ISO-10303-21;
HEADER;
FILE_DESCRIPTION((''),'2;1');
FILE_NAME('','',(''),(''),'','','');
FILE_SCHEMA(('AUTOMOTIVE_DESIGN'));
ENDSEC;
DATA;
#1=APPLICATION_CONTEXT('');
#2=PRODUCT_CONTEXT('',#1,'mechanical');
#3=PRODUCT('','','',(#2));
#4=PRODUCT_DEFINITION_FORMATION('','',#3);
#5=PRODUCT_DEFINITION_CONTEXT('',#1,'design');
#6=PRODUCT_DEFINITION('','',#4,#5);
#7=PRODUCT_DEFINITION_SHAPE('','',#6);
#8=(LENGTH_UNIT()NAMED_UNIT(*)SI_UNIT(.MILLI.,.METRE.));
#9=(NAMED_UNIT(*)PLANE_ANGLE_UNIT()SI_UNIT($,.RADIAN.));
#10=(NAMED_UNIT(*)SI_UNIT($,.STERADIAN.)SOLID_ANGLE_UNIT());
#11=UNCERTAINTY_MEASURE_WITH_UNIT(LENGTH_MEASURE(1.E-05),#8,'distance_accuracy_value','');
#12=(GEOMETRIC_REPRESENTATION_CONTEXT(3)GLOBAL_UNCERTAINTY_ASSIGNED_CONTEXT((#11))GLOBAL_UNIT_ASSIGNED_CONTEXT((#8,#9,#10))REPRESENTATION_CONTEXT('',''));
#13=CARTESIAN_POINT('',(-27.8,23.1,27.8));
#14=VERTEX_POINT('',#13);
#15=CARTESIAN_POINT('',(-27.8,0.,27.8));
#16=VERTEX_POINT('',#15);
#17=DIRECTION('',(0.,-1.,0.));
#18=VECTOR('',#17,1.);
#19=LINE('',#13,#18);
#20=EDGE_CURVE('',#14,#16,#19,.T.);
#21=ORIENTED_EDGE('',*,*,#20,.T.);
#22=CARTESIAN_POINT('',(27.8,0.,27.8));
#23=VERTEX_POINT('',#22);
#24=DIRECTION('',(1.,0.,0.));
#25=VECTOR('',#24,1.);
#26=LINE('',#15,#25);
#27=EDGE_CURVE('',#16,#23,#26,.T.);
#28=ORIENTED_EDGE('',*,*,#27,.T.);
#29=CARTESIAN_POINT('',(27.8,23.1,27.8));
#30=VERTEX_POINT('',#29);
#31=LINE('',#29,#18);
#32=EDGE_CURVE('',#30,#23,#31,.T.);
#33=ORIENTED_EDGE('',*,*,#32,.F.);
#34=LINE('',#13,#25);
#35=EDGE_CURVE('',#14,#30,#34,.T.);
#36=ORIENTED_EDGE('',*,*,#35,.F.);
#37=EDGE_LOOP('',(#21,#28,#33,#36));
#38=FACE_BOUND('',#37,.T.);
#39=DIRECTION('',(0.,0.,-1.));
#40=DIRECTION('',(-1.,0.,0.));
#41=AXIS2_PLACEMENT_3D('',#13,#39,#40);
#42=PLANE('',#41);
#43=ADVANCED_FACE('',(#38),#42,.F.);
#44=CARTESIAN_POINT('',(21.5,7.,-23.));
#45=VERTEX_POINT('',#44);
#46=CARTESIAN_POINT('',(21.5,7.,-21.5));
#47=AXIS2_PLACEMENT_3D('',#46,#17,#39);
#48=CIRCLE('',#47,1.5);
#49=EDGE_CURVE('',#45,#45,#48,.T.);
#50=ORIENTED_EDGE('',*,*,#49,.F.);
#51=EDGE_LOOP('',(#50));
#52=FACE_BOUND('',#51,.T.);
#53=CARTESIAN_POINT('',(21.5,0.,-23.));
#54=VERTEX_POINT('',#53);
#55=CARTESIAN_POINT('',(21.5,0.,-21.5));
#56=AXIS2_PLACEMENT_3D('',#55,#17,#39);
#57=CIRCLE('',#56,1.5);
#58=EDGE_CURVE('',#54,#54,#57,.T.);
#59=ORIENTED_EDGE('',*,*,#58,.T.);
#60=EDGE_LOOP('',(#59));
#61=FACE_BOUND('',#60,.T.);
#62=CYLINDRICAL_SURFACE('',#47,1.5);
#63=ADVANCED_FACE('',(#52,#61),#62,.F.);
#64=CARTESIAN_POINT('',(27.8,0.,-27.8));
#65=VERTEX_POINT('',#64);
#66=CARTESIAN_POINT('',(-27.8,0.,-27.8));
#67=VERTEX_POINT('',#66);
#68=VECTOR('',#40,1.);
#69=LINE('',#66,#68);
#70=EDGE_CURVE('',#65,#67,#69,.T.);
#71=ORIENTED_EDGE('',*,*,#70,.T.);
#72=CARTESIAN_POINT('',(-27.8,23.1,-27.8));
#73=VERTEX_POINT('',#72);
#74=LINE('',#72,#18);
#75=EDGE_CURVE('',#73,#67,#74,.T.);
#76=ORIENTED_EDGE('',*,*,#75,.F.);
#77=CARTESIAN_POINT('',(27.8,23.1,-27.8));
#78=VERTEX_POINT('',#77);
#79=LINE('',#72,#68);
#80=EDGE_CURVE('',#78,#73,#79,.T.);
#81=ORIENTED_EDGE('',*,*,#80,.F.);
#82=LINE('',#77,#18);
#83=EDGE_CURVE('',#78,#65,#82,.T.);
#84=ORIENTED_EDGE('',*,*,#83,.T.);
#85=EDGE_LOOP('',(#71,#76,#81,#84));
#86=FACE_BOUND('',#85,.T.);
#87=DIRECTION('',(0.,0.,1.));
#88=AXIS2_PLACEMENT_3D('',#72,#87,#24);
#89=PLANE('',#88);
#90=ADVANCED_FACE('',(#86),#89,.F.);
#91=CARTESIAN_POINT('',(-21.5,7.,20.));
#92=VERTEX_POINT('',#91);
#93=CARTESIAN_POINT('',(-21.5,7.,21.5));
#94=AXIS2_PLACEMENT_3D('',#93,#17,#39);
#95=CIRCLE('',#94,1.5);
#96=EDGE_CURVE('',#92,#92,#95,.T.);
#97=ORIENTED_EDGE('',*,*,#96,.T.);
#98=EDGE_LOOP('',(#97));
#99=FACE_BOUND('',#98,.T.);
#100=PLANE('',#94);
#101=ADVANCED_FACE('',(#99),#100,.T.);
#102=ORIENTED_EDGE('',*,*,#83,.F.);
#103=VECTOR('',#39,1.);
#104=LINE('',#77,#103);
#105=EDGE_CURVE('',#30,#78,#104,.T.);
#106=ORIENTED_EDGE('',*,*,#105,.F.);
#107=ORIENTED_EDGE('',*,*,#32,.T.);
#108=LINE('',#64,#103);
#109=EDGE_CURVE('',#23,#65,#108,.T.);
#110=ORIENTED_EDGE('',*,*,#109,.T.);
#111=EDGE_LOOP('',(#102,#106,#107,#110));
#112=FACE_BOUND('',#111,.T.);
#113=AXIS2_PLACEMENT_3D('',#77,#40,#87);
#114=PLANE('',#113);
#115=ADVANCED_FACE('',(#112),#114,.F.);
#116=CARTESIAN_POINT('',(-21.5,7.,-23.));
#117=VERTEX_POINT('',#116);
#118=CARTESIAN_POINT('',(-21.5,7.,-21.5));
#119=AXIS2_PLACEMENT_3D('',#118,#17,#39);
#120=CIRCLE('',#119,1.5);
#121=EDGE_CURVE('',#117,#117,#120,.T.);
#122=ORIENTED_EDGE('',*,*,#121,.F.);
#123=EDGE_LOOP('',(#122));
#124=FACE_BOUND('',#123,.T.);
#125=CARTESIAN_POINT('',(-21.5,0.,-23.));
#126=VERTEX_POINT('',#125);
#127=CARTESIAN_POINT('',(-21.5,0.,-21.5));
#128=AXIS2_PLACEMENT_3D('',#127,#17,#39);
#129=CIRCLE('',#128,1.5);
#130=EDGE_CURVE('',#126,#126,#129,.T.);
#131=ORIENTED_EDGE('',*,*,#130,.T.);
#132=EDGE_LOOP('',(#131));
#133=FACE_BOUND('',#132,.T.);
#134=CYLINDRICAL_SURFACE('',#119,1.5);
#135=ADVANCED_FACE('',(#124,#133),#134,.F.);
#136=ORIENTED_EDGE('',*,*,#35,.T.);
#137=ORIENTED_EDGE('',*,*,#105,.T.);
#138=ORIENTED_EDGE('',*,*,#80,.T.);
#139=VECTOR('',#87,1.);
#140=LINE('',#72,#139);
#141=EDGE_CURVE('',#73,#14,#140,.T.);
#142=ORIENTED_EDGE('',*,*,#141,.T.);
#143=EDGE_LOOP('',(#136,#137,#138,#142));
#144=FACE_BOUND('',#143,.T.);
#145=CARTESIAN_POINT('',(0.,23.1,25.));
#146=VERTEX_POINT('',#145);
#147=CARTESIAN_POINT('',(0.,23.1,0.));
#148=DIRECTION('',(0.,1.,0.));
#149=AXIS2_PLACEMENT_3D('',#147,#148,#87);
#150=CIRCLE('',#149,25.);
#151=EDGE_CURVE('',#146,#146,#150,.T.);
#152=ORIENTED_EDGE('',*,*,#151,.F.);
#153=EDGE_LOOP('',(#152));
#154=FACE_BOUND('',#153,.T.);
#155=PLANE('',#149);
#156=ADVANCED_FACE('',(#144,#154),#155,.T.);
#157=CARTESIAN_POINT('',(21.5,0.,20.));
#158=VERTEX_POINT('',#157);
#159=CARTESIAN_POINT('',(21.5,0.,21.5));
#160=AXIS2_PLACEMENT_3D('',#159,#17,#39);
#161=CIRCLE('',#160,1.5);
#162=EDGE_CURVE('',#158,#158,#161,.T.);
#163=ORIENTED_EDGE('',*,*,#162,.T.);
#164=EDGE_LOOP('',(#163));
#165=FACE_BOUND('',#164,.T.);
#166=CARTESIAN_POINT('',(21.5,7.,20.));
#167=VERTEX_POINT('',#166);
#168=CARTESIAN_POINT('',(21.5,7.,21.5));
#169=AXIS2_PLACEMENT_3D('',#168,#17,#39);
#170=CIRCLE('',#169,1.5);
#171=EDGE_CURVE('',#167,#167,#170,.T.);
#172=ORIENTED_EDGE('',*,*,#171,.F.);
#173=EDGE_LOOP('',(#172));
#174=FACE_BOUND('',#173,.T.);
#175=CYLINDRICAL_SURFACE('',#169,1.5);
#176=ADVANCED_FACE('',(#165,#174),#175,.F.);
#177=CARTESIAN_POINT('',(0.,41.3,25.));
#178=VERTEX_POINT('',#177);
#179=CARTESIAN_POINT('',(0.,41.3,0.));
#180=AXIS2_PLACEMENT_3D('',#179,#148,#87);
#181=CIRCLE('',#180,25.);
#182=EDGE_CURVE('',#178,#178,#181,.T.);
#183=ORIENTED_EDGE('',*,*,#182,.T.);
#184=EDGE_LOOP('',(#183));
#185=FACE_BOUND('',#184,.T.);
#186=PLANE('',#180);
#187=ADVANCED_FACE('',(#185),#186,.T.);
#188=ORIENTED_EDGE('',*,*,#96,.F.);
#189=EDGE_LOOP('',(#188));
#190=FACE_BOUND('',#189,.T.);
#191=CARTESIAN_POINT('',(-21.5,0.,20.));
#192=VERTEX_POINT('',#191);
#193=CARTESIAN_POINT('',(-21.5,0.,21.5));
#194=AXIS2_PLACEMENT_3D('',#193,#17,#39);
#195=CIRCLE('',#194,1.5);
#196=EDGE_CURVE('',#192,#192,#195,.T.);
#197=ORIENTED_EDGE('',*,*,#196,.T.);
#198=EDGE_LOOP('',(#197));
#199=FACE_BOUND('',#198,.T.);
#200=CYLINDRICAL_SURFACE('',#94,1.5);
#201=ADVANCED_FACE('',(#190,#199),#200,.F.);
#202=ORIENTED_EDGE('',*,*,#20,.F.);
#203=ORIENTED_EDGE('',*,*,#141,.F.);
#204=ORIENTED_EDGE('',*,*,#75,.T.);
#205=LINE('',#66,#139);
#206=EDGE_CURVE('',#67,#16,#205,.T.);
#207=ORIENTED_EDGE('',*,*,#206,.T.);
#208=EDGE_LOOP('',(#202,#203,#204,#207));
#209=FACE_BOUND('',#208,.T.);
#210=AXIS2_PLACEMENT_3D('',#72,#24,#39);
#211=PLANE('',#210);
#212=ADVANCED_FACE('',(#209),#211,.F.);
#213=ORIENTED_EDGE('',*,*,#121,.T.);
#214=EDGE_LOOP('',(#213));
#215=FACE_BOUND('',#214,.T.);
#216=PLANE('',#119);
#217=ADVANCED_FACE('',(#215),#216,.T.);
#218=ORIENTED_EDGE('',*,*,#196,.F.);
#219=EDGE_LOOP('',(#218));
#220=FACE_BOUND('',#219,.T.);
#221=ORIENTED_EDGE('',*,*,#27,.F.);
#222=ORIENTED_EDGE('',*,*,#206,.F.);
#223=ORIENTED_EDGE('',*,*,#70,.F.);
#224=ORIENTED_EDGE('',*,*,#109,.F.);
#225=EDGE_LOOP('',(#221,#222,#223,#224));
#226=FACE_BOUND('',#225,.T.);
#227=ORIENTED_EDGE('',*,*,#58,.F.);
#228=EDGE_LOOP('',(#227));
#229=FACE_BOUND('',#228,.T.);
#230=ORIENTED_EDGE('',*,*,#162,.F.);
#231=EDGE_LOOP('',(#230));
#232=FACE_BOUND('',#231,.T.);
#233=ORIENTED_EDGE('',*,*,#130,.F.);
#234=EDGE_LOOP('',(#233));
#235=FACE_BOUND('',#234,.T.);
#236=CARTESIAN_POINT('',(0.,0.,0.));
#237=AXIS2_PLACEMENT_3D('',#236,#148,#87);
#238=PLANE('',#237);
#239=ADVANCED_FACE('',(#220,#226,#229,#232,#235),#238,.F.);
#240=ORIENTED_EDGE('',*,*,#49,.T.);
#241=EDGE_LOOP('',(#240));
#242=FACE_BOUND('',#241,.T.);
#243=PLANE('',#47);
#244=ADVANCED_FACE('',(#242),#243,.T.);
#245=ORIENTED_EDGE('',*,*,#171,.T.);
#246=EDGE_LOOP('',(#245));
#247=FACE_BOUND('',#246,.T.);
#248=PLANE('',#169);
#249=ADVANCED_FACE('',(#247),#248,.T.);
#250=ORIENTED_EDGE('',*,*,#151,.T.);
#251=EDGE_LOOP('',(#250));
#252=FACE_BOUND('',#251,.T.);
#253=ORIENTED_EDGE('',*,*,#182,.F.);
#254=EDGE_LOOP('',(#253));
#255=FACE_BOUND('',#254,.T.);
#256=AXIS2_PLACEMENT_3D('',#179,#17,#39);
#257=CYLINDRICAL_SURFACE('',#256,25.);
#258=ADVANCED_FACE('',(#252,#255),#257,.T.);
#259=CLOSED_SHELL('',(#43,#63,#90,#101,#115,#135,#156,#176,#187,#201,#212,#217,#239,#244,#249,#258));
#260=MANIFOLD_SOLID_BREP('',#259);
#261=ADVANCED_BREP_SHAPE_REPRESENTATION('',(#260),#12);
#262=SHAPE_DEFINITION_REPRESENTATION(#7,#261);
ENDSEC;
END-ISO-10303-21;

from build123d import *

# Parameters (mm, degrees)
SKETCH1_W           = 55.6
SKETCH1_H           = 55.6
BOSS_EXTRUDE1_DEPTH = 23.1
SKETCH2_R           = 25
BOSS_EXTRUDE2_DEPTH = 18.2
SKETCH3_R           = 1.5
CUT_EXTRUDE1_DEPTH  = 7


with BuildPart() as part:
    # Sketch1 → Boss-Extrude1 (new body)
    with BuildSketch(Plane(origin=(0, 0, 0), x_dir=(1, 0, 0), z_dir=(0, 1, 0))):
        Rectangle(SKETCH1_W, SKETCH1_H)
    extrude(amount=BOSS_EXTRUDE1_DEPTH)

    # Sketch2 → Boss-Extrude2 (add)
    with BuildSketch(Plane(origin=(0, 23.1, 0), x_dir=(1, 0, 0), z_dir=(0, 1, 0))):
        with Locations(Location((0, 0, 0), (0, 0, 270))):
            Circle(SKETCH2_R)
    extrude(amount=BOSS_EXTRUDE2_DEPTH)

    # Sketch3 → Cut-Extrude1 (cut)
    with BuildSketch(Plane.XZ):
        with Locations(Location((-21.5, 21.5, 0), (0, 0, 270))):
            Circle(SKETCH3_R)
        with Locations(Location((21.5, 21.5, 0), (0, 0, 270))):
            Circle(SKETCH3_R)
        with Locations(Location((-21.5, -21.5, 0), (0, 0, 270))):
            Circle(SKETCH3_R)
        with Locations(Location((21.5, -21.5, 0), (0, 0, 270))):
            Circle(SKETCH3_R)
    extrude(amount=-CUT_EXTRUDE1_DEPTH, mode=Mode.SUBTRACT)


solid = part.part
